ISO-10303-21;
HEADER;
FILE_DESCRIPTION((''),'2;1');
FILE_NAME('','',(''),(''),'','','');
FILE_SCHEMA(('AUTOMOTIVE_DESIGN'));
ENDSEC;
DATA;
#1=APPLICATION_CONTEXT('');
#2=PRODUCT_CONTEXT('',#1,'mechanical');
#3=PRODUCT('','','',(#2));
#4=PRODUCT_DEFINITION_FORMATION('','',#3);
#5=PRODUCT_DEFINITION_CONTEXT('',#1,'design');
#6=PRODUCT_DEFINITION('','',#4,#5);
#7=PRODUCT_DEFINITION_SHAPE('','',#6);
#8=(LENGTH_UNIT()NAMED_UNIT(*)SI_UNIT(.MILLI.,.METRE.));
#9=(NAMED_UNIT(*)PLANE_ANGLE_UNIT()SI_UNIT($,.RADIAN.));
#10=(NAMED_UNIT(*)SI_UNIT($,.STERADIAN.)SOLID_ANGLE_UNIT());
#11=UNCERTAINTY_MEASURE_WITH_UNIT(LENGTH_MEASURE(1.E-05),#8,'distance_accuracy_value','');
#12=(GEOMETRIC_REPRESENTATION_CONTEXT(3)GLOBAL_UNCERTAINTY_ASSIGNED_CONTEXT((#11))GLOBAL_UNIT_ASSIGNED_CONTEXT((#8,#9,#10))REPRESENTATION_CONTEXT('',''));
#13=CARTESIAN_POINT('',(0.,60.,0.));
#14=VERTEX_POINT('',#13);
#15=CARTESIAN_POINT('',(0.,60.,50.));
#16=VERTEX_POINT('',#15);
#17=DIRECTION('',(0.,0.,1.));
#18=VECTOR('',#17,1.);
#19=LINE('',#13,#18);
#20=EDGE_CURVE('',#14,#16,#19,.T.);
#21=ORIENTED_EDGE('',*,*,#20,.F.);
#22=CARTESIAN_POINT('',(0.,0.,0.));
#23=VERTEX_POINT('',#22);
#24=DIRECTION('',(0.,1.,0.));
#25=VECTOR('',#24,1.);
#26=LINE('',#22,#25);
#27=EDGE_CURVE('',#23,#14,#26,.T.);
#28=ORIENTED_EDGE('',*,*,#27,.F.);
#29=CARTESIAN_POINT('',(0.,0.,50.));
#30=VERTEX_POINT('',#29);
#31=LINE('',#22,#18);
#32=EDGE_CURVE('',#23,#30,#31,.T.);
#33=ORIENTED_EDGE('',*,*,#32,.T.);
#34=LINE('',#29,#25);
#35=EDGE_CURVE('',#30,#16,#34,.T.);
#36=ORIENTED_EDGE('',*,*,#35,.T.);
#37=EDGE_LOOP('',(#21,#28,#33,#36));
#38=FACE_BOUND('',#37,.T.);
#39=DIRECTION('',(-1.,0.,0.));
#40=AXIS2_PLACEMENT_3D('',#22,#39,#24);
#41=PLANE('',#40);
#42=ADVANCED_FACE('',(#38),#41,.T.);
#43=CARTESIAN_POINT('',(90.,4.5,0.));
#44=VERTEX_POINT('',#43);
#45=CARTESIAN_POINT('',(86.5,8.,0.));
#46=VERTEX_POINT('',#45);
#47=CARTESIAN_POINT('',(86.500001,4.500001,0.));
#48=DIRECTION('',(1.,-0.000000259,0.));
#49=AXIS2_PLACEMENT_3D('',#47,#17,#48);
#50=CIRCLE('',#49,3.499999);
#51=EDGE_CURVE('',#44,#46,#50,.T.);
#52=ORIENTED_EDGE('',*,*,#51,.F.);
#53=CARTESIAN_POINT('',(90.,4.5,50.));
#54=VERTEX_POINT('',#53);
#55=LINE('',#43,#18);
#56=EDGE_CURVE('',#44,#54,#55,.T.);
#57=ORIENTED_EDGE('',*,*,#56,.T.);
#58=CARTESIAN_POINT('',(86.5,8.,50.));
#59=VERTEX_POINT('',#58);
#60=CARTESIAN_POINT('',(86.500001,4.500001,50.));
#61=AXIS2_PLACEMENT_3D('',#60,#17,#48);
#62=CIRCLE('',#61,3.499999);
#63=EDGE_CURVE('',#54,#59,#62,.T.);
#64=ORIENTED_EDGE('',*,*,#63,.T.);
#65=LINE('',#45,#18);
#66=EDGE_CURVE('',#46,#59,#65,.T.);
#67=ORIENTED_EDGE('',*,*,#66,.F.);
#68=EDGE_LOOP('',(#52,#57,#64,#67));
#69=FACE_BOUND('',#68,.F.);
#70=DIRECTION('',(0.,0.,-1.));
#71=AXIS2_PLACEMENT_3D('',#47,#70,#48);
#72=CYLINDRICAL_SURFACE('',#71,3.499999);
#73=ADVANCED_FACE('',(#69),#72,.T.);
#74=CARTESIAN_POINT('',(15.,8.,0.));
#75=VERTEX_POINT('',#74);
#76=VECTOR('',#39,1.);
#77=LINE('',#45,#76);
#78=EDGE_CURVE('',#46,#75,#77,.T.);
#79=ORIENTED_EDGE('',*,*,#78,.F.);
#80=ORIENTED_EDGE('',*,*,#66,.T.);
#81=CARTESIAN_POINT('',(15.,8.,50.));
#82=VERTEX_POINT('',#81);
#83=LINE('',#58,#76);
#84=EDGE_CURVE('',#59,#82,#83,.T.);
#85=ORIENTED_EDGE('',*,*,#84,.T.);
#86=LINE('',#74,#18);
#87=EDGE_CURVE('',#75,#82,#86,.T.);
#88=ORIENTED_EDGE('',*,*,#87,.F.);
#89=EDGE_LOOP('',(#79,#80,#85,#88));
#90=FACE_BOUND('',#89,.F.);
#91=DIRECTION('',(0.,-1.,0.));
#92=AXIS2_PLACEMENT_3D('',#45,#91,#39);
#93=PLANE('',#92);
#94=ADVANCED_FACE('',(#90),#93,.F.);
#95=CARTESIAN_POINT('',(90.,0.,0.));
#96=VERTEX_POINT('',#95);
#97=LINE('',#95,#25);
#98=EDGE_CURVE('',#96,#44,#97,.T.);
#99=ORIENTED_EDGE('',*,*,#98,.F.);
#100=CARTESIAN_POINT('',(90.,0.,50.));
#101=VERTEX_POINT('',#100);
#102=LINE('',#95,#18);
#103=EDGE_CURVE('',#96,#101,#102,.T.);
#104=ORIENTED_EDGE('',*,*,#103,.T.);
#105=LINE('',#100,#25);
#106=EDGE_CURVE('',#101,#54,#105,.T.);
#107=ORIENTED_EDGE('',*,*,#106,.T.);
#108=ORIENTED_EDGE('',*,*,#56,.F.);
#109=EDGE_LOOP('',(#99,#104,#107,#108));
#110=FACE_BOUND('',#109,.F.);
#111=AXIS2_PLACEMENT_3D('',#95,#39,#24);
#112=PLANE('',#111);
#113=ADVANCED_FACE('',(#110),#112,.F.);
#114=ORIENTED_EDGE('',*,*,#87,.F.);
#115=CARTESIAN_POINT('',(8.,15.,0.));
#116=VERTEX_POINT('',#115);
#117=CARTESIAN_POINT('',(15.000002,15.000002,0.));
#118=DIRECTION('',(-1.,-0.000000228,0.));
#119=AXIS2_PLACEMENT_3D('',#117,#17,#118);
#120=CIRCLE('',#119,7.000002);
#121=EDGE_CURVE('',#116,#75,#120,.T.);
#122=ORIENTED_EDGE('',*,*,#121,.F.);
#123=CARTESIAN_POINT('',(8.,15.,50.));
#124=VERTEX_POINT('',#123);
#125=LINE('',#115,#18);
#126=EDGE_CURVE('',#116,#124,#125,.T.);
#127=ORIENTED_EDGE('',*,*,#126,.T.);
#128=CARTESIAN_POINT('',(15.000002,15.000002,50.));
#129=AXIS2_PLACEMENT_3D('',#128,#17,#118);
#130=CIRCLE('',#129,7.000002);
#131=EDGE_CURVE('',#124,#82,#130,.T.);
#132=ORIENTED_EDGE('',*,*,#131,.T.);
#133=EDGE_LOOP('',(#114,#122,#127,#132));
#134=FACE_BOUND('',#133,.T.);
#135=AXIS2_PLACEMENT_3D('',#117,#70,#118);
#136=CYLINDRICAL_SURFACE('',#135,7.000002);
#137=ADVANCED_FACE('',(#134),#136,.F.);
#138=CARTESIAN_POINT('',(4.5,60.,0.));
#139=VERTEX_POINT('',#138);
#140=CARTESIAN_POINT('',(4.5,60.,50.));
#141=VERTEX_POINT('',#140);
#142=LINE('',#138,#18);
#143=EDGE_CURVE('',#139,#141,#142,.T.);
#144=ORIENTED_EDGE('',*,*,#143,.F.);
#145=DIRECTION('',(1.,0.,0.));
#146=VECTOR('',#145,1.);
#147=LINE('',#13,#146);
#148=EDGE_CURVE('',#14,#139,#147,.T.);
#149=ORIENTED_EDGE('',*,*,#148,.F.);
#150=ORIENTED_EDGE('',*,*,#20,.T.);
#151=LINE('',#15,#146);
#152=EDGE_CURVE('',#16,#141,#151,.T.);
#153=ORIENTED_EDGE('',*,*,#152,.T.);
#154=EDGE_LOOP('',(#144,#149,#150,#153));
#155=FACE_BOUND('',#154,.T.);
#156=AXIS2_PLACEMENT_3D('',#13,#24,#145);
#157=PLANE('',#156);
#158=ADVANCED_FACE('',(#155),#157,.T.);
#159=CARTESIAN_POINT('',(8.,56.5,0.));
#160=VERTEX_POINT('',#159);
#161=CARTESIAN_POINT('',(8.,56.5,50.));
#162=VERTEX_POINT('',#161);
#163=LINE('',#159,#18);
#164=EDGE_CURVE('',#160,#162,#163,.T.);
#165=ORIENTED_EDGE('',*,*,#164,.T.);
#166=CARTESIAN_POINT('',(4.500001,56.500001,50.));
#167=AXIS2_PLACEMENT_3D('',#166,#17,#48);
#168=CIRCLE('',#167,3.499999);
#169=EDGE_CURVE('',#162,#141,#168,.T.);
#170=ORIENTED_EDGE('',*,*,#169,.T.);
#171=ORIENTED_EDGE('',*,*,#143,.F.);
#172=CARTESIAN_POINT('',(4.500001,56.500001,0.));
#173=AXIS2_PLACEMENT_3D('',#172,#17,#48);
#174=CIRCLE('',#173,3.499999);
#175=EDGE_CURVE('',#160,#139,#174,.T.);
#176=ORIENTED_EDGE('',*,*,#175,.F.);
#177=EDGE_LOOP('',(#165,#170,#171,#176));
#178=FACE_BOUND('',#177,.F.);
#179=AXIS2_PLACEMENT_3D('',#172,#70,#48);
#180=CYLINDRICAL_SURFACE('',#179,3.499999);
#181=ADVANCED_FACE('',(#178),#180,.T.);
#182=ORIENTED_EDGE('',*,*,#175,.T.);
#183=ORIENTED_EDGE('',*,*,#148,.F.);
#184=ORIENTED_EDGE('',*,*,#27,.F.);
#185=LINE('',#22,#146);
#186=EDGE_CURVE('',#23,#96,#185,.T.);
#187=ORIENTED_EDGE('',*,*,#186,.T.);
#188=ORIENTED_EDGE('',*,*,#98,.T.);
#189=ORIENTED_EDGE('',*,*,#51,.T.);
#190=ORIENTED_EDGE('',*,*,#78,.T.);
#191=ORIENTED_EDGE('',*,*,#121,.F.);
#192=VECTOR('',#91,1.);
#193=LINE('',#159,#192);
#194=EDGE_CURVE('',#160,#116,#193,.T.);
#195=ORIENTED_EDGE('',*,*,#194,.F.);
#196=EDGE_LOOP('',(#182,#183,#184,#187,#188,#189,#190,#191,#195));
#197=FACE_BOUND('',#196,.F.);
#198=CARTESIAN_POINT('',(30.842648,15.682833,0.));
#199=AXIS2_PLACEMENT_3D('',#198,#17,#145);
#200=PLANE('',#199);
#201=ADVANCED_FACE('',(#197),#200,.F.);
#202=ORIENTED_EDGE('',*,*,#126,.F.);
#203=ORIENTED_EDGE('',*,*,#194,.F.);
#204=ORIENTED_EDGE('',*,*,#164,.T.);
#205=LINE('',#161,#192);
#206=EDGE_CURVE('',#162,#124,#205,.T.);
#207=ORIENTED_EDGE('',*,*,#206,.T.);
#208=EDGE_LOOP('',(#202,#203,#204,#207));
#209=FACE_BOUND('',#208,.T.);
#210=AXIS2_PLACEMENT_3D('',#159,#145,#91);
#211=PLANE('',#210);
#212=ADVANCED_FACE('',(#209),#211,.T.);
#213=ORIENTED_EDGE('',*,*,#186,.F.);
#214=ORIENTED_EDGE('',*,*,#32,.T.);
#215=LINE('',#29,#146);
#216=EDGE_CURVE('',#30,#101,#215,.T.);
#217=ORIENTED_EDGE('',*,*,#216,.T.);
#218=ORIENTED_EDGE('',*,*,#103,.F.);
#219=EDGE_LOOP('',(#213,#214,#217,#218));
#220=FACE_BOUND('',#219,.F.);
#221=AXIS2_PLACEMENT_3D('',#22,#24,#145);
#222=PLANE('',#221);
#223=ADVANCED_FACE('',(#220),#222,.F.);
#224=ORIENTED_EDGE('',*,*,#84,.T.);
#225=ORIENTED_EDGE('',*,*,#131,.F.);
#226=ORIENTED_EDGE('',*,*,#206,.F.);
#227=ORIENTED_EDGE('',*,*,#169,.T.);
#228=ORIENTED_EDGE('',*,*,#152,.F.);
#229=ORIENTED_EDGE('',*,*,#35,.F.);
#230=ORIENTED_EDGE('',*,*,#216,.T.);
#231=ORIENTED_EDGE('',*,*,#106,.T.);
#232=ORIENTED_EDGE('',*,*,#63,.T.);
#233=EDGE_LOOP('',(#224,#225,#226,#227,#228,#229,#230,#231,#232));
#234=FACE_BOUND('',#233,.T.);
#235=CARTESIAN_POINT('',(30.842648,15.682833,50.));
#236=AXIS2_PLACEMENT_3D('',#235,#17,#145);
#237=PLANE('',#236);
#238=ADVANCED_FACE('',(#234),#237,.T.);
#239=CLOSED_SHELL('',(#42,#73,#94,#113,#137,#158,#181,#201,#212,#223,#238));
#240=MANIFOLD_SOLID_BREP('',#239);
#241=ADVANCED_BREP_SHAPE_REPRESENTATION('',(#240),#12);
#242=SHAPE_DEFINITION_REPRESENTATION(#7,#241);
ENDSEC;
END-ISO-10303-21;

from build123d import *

# Parameters (mm, degrees)
EXTRUDE_DEPTH = 50


with BuildPart() as part:
    # Sketch → Extrude (new body)
    with BuildSketch(Plane.XY):
        with BuildLine():
            Line((0, 0), (90, 0))
            Line((90, 0), (90, 4.5))
            ThreePointArc((90, 4.5), (88.974874, 6.974874), (86.5, 8))
            Line((86.5, 8), (15, 8))
            ThreePointArc((8, 15), (10.050253, 10.050253), (15, 8))
            Line((8, 56.5), (8, 15))
            ThreePointArc((8, 56.5), (6.974874, 58.974874), (4.5, 60))
            Line((0, 60), (4.5, 60))
            Line((0, 0), (0, 60))
        make_face()
    extrude(amount=EXTRUDE_DEPTH)


solid = part.part
